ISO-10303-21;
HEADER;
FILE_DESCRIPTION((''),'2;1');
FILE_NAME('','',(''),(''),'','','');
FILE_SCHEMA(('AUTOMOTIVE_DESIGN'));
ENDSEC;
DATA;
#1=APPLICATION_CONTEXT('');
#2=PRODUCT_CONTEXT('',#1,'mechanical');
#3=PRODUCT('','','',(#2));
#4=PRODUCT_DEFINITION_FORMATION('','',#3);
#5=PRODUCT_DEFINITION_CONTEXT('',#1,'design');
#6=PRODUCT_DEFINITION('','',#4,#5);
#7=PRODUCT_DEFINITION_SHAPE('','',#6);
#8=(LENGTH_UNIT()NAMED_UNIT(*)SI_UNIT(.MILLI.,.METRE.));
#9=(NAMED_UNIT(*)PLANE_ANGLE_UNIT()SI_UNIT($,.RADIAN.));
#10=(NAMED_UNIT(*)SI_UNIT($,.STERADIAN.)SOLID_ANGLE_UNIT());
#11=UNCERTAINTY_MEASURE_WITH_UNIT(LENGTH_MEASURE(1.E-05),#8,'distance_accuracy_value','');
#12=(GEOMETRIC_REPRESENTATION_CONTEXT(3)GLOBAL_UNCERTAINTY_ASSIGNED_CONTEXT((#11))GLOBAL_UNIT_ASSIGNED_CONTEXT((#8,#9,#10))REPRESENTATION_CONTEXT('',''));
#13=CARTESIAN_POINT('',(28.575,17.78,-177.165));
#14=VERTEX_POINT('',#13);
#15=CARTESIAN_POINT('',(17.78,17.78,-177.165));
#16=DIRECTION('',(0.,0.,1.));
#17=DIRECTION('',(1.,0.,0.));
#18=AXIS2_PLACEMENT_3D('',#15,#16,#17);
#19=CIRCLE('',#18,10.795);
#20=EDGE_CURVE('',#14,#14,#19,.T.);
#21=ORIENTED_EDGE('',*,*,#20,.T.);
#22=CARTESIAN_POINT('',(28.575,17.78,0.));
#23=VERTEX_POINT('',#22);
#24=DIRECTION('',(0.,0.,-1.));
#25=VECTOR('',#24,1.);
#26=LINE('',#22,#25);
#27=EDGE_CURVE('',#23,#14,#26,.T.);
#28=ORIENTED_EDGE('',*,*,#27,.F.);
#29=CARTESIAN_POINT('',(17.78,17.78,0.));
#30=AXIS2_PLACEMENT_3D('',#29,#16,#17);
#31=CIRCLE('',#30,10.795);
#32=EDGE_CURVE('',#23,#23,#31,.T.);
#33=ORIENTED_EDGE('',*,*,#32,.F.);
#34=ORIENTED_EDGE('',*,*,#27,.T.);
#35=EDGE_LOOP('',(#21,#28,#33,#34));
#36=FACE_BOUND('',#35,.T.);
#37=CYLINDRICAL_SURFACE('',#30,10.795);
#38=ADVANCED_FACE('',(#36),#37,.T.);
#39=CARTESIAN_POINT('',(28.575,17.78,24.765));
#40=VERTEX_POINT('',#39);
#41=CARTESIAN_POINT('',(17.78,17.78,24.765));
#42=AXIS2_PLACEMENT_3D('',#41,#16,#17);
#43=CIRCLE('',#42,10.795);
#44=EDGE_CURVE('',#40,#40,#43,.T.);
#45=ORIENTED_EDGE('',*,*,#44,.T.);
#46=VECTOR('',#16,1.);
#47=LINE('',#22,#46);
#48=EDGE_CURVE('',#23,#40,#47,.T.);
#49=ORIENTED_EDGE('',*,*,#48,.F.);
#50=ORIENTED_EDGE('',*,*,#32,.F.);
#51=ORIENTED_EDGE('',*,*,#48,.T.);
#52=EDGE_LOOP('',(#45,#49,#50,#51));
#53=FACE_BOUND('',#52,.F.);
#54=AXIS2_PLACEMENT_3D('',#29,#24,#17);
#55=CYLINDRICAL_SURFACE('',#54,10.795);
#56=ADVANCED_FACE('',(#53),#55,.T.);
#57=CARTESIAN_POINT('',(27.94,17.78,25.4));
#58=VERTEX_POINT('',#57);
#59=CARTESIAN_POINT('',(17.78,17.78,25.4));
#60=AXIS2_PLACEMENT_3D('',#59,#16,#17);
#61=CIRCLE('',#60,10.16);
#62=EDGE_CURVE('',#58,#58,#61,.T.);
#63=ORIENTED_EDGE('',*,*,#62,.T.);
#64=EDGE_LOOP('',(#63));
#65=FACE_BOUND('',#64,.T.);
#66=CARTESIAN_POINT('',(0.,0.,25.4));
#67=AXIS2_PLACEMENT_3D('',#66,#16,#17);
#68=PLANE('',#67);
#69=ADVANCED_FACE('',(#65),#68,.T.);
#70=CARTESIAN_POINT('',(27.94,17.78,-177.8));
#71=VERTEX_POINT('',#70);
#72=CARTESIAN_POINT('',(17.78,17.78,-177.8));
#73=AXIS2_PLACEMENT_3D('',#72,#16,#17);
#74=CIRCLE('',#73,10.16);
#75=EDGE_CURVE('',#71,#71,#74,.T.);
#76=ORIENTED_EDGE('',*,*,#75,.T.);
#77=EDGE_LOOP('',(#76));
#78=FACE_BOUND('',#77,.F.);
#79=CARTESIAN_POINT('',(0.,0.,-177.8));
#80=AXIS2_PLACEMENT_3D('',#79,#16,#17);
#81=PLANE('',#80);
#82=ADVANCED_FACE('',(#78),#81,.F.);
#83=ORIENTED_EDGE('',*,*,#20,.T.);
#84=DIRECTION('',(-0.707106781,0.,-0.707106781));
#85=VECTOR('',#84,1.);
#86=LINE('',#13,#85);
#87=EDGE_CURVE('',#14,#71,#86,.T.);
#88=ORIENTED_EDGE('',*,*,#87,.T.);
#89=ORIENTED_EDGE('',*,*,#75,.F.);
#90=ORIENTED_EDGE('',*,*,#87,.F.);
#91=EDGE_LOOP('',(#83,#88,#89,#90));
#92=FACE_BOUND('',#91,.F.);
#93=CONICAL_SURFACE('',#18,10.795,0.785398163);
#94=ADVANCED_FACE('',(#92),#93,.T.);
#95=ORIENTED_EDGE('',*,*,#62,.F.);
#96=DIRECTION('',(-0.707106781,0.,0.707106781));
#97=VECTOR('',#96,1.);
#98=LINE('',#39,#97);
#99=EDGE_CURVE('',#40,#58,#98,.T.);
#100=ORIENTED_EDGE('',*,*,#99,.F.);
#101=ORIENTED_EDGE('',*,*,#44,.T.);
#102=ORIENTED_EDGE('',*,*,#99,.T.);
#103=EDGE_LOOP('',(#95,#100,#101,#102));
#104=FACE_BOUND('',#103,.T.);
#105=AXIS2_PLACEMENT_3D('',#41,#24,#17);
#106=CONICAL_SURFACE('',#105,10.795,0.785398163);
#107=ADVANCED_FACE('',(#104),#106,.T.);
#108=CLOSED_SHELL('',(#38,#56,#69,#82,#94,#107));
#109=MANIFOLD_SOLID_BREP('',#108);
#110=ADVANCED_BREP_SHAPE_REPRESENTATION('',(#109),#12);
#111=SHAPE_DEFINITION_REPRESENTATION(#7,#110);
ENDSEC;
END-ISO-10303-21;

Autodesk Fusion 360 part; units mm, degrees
sketch "Sketch1" plane through (0, 0, 0) normal (0, 0, 1) x (1, 0, 0)
  circle A0 centre (17.78, 17.78) radius 10.795
  dimension "d1" = 21.59
extrude "Extrude1" add sketch "Sketch1" along normal blind 25.4 and the other way blind 177.8
chamfer "Chamfer1" distance 0.635 angle 45 2 edges at (7.7155, 13.8764, 25.4) (7.7155, 21.6836, -177.8)
